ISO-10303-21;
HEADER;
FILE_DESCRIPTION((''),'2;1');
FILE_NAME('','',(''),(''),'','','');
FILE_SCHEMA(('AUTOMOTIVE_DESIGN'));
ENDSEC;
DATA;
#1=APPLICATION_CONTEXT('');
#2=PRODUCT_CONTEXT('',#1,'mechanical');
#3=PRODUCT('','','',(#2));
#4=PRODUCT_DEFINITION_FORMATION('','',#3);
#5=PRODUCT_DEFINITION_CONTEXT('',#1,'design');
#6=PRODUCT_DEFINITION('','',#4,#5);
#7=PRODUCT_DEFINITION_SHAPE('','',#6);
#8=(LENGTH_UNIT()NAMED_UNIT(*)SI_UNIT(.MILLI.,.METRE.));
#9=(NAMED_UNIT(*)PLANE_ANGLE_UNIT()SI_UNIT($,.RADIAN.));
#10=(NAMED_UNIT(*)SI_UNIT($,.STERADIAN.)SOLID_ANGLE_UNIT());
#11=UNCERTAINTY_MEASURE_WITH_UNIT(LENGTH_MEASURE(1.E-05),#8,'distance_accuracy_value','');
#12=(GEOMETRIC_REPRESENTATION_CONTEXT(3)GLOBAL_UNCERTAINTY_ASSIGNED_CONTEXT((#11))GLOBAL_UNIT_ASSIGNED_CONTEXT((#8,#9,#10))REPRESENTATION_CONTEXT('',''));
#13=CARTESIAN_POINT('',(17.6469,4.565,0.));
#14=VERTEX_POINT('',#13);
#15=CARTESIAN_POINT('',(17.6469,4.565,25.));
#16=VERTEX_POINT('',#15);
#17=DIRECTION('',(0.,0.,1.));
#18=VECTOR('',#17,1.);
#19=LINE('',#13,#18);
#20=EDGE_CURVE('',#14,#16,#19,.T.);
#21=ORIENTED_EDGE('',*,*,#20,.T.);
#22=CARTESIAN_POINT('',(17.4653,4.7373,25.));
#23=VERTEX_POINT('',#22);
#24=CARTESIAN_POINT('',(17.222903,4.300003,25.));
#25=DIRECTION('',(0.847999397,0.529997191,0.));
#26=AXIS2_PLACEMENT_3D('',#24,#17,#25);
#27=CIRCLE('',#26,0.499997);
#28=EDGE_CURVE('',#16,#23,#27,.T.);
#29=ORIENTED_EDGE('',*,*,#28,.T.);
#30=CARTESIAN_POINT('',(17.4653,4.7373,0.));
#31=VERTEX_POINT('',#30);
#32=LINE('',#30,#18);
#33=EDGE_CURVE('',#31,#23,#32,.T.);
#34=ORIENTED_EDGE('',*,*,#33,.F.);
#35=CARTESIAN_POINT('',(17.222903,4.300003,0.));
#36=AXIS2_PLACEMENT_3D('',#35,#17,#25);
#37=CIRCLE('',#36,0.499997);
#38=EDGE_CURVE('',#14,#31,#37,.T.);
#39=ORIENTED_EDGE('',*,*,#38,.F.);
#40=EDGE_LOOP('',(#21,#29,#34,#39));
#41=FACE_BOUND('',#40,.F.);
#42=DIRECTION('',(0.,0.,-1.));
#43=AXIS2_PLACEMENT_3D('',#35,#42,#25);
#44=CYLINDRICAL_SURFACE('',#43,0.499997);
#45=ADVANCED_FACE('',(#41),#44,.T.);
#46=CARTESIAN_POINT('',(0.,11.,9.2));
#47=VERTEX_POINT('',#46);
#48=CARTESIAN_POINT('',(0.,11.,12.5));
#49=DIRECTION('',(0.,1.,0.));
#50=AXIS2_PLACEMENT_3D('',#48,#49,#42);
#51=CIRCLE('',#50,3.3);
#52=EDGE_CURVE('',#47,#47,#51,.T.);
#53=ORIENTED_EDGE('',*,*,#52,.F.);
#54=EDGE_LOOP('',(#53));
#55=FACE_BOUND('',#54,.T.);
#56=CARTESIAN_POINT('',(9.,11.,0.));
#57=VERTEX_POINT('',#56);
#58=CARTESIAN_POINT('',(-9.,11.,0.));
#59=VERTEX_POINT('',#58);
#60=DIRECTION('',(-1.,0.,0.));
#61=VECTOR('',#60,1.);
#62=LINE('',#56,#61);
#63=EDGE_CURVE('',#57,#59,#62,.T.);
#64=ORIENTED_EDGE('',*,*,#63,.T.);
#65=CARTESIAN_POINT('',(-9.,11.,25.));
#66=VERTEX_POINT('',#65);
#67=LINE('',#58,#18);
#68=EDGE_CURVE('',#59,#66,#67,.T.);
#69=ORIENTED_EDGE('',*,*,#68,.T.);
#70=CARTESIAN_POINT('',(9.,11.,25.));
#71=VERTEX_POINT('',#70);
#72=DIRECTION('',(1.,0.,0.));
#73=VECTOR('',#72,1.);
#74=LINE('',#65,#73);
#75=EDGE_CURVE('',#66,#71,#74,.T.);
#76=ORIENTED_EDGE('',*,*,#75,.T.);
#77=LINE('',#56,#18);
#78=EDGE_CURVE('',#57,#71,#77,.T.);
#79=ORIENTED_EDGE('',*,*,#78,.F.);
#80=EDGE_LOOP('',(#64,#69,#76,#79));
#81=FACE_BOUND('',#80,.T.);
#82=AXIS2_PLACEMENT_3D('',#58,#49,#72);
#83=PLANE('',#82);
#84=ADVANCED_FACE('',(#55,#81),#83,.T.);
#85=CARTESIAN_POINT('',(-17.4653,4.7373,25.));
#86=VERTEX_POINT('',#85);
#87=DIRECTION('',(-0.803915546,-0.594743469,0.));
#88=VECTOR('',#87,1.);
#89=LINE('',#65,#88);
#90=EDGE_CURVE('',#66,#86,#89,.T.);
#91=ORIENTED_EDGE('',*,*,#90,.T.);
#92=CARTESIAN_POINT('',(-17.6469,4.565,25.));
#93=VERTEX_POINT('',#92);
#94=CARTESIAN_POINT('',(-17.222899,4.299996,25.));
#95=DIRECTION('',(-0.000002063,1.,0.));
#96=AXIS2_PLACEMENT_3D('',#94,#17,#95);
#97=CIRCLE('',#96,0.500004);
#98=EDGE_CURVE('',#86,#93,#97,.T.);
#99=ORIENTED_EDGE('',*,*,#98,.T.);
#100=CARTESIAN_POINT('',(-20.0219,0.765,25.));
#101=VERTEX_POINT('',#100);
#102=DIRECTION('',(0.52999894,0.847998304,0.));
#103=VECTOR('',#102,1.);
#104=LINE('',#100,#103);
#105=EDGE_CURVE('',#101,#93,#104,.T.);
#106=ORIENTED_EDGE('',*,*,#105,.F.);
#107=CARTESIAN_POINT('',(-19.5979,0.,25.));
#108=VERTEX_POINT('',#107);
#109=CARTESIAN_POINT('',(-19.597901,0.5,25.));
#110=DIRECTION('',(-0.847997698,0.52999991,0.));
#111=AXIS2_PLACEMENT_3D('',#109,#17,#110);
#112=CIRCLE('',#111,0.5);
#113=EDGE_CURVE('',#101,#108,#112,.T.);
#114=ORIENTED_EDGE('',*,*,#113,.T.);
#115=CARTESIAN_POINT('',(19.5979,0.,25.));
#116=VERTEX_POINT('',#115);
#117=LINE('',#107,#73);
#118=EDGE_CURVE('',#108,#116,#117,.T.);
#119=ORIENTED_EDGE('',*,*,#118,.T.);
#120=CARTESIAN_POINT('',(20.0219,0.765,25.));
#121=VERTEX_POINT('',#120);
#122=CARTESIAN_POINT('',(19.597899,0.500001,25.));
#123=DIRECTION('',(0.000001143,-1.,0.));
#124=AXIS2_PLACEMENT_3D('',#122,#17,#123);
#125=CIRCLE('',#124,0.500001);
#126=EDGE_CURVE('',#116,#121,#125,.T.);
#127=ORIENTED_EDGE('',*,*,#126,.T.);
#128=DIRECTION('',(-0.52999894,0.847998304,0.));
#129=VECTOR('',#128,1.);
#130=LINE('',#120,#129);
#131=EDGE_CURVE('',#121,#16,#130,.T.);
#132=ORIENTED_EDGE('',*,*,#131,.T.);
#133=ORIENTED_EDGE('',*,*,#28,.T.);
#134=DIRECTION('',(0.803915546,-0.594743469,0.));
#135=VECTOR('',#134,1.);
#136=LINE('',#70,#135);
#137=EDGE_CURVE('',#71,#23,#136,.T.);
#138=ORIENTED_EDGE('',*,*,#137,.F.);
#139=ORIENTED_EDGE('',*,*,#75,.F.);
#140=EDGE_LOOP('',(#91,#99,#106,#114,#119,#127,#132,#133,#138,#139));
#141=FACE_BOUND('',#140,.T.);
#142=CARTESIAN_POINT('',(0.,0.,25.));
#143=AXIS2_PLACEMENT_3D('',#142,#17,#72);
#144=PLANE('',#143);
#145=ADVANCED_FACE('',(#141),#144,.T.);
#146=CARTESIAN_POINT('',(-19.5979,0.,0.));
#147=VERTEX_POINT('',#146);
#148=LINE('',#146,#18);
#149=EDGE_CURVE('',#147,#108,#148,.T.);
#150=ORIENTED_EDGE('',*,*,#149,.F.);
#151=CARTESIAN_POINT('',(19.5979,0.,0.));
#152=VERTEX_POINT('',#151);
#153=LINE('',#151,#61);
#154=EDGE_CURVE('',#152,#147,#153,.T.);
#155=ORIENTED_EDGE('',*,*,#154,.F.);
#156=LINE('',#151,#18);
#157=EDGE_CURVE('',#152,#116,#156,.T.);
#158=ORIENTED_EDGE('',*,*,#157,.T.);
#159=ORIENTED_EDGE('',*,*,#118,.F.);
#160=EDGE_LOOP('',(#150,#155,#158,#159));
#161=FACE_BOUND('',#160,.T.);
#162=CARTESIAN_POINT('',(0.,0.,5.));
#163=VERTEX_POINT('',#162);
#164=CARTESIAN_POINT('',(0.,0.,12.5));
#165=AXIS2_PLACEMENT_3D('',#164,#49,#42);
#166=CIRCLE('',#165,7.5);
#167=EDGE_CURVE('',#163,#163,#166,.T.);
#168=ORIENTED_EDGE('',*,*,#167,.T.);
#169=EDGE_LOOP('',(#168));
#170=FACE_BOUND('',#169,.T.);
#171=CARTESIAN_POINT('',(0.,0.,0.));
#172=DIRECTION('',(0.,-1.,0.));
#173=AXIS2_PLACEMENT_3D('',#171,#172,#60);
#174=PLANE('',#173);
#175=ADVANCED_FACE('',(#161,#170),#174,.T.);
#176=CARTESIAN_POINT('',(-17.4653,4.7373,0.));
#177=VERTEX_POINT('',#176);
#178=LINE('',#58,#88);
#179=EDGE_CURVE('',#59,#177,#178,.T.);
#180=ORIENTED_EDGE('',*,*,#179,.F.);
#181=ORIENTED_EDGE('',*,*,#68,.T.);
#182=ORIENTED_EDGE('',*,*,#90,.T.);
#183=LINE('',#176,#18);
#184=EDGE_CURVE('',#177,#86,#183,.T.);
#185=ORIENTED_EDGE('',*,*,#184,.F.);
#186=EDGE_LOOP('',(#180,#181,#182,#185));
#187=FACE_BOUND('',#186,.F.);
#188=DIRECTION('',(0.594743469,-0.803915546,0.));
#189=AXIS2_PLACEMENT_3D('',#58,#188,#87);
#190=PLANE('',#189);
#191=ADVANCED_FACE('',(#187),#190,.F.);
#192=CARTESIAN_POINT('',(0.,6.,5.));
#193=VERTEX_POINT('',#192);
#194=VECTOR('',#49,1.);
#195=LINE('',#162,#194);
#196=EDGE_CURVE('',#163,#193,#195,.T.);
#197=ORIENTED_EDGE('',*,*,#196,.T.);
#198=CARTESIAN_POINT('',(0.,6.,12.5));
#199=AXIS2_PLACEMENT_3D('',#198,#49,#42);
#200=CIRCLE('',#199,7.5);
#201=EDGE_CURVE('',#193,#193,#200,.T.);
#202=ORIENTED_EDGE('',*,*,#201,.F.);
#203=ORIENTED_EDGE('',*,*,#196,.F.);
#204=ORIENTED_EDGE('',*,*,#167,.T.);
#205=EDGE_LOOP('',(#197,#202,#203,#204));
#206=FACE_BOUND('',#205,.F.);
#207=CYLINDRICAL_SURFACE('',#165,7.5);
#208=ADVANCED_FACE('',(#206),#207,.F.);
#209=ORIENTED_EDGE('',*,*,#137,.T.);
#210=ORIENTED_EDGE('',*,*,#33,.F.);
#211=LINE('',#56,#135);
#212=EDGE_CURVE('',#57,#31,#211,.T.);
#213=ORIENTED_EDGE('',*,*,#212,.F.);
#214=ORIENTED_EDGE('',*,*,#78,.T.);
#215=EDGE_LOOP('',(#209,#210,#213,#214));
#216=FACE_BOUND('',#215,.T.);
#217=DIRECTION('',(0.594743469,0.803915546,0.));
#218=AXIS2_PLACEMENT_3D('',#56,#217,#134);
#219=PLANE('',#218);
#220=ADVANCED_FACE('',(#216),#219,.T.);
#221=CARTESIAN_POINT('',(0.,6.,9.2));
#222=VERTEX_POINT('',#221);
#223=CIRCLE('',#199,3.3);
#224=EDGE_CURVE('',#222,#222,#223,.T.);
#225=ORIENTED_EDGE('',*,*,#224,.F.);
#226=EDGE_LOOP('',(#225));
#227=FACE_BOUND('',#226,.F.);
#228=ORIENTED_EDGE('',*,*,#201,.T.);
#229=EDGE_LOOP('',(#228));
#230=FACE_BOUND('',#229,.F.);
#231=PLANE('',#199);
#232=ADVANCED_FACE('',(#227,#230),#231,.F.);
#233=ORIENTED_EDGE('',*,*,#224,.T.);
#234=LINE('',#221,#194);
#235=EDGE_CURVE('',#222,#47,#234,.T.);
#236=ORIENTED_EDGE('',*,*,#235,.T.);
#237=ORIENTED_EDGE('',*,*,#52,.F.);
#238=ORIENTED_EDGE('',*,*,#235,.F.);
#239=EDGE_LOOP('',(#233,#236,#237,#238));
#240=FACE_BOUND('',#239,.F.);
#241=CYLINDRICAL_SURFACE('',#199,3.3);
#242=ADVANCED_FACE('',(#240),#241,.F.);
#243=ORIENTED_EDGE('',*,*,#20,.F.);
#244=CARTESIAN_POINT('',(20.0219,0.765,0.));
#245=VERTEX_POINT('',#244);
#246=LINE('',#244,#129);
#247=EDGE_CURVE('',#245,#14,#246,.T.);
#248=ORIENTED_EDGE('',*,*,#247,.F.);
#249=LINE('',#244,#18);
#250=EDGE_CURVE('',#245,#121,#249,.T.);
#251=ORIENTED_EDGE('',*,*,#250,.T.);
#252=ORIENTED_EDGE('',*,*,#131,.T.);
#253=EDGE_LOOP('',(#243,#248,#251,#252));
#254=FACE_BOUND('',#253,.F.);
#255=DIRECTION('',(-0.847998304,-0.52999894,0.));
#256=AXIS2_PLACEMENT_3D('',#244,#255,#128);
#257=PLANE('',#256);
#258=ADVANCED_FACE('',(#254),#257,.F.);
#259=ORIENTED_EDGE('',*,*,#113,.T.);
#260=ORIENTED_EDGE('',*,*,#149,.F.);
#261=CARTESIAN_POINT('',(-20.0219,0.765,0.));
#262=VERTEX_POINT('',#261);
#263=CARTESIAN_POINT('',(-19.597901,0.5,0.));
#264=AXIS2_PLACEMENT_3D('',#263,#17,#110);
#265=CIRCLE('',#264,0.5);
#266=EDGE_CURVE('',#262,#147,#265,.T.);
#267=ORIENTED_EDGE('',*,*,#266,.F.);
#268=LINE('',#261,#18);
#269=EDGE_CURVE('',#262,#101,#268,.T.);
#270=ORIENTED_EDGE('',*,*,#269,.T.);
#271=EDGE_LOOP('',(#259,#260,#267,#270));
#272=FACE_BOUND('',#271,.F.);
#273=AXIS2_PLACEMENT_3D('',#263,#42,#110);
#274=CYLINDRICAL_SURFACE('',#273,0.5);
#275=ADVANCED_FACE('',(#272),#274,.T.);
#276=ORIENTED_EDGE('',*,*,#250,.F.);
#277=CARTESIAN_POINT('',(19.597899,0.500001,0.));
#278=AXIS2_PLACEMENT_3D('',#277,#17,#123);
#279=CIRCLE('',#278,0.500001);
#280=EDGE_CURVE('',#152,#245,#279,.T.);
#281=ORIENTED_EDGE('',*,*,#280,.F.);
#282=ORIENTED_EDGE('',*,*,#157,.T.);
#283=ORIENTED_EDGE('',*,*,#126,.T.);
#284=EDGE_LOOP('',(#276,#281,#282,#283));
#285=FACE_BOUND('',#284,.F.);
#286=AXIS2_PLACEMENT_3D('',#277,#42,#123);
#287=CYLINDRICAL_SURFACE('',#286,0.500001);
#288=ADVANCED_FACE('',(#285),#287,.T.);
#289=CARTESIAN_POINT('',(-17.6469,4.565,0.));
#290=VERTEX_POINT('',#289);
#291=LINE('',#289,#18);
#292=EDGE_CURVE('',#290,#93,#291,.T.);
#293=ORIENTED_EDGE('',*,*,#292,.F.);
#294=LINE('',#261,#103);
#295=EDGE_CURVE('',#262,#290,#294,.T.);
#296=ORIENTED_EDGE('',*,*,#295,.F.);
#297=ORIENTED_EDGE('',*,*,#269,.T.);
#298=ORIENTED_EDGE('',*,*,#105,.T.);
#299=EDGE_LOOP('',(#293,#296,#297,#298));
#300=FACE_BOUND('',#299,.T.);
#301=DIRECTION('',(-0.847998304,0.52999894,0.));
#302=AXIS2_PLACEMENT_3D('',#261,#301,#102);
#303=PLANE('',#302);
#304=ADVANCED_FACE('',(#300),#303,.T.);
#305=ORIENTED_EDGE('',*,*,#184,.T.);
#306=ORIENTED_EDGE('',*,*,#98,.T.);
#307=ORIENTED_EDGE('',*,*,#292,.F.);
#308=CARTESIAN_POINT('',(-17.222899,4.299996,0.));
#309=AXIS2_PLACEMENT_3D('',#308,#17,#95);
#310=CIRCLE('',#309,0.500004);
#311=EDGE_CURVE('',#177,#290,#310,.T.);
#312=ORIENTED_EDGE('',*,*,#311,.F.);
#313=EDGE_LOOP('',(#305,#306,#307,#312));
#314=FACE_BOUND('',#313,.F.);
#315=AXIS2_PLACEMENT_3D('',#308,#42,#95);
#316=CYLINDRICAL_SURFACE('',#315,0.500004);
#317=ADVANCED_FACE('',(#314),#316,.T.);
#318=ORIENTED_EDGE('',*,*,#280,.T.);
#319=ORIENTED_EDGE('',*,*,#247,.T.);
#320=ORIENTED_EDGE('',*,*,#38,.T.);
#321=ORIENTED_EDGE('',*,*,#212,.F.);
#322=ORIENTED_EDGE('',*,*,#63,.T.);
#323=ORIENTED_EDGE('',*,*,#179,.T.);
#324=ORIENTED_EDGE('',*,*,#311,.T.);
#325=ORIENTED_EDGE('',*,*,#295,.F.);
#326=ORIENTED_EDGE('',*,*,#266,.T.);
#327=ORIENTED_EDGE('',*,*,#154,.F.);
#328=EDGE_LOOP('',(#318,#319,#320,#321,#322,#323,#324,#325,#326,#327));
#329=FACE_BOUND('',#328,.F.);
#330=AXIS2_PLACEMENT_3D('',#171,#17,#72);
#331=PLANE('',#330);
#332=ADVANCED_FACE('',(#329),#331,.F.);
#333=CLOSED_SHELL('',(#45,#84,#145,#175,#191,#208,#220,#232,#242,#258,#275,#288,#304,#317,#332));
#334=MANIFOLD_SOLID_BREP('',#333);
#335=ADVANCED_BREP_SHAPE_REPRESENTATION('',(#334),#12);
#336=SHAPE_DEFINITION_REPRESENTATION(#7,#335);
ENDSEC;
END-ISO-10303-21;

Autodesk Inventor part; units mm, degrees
sketch "Skizze1" plane through (0, 0, 0) normal (0, 0, 1) x (1, 0, 0)
  line L0 (-9, 4.8) -> (-9, 11)
  line L1 (-9, 11) -> (0, 11)
  line L2 (0, 13.225) -> (0, -2.3499) projected
  line L3 (0, 0) -> (-19.5979, 0)
  line L4 (-20.0219, 0.765) -> (-17.6469, 4.565)
  line L5 (-17.2229, 4.8) -> (-9, 4.8)
  arc A0 (-20.0219, 0.765) -> (-19.5979, 0) centre (-19.5979, 0.5) ccw
  arc A1 (-17.2229, 4.8) -> (-17.6469, 4.565) centre (-17.2229, 4.3) ccw
  line L6 (9, 4.8) -> (9, 11)
  line L7 (9, 11) -> (0, 11)
  line L8 (0, 0) -> (19.5979, 0)
  line L9 (20.0219, 0.765) -> (17.6469, 4.565)
  line L10 (17.2229, 4.8) -> (9, 4.8)
  arc A2 (19.5979, 0) -> (20.0219, 0.765) centre (19.5979, 0.5) ccw
  arc A3 (17.6469, 4.565) -> (17.2229, 4.8) centre (17.2229, 4.3) ccw
  line L11 (9, 11) -> (17.4653, 4.7373)
  line L12 (-9, 11) -> (-17.4653, 4.7373)
  point P0 (-20.5, 0)
  point P1 (20.5, 0)
  dimension "d5" = 6.2
  dimension "d6" = 9
  dimension "d9" = 20.5
  dimension "d11" = 0.5
  dimension "d12" = 0.5
extrude "Extrusion1" add sketch "Skizze1" along normal blind 25
sketch "Skizze2" plane through (-19.5979, 0, 0) normal (0, -1, 0) x (1, 0, 0)
  line L0 (0, 0) -> (39.1958, 0) projected
  line L1 (39.1958, 0) -> (39.1958, 25) projected
  line L2 (0, 25) -> (39.1958, 25) projected
  line L3 (0, 0) -> (0, 25) projected
  point P0 (19.5979, 0)
  point P1 (19.5979, 12.5)
hole "Bohrung1" at (0, 0, 12.5) direction (0, 1, 0) diameter 6.6 end through all counterbore diameter 15 counterbore depth 6
properties part number "tripodSchwalbenschanz"
